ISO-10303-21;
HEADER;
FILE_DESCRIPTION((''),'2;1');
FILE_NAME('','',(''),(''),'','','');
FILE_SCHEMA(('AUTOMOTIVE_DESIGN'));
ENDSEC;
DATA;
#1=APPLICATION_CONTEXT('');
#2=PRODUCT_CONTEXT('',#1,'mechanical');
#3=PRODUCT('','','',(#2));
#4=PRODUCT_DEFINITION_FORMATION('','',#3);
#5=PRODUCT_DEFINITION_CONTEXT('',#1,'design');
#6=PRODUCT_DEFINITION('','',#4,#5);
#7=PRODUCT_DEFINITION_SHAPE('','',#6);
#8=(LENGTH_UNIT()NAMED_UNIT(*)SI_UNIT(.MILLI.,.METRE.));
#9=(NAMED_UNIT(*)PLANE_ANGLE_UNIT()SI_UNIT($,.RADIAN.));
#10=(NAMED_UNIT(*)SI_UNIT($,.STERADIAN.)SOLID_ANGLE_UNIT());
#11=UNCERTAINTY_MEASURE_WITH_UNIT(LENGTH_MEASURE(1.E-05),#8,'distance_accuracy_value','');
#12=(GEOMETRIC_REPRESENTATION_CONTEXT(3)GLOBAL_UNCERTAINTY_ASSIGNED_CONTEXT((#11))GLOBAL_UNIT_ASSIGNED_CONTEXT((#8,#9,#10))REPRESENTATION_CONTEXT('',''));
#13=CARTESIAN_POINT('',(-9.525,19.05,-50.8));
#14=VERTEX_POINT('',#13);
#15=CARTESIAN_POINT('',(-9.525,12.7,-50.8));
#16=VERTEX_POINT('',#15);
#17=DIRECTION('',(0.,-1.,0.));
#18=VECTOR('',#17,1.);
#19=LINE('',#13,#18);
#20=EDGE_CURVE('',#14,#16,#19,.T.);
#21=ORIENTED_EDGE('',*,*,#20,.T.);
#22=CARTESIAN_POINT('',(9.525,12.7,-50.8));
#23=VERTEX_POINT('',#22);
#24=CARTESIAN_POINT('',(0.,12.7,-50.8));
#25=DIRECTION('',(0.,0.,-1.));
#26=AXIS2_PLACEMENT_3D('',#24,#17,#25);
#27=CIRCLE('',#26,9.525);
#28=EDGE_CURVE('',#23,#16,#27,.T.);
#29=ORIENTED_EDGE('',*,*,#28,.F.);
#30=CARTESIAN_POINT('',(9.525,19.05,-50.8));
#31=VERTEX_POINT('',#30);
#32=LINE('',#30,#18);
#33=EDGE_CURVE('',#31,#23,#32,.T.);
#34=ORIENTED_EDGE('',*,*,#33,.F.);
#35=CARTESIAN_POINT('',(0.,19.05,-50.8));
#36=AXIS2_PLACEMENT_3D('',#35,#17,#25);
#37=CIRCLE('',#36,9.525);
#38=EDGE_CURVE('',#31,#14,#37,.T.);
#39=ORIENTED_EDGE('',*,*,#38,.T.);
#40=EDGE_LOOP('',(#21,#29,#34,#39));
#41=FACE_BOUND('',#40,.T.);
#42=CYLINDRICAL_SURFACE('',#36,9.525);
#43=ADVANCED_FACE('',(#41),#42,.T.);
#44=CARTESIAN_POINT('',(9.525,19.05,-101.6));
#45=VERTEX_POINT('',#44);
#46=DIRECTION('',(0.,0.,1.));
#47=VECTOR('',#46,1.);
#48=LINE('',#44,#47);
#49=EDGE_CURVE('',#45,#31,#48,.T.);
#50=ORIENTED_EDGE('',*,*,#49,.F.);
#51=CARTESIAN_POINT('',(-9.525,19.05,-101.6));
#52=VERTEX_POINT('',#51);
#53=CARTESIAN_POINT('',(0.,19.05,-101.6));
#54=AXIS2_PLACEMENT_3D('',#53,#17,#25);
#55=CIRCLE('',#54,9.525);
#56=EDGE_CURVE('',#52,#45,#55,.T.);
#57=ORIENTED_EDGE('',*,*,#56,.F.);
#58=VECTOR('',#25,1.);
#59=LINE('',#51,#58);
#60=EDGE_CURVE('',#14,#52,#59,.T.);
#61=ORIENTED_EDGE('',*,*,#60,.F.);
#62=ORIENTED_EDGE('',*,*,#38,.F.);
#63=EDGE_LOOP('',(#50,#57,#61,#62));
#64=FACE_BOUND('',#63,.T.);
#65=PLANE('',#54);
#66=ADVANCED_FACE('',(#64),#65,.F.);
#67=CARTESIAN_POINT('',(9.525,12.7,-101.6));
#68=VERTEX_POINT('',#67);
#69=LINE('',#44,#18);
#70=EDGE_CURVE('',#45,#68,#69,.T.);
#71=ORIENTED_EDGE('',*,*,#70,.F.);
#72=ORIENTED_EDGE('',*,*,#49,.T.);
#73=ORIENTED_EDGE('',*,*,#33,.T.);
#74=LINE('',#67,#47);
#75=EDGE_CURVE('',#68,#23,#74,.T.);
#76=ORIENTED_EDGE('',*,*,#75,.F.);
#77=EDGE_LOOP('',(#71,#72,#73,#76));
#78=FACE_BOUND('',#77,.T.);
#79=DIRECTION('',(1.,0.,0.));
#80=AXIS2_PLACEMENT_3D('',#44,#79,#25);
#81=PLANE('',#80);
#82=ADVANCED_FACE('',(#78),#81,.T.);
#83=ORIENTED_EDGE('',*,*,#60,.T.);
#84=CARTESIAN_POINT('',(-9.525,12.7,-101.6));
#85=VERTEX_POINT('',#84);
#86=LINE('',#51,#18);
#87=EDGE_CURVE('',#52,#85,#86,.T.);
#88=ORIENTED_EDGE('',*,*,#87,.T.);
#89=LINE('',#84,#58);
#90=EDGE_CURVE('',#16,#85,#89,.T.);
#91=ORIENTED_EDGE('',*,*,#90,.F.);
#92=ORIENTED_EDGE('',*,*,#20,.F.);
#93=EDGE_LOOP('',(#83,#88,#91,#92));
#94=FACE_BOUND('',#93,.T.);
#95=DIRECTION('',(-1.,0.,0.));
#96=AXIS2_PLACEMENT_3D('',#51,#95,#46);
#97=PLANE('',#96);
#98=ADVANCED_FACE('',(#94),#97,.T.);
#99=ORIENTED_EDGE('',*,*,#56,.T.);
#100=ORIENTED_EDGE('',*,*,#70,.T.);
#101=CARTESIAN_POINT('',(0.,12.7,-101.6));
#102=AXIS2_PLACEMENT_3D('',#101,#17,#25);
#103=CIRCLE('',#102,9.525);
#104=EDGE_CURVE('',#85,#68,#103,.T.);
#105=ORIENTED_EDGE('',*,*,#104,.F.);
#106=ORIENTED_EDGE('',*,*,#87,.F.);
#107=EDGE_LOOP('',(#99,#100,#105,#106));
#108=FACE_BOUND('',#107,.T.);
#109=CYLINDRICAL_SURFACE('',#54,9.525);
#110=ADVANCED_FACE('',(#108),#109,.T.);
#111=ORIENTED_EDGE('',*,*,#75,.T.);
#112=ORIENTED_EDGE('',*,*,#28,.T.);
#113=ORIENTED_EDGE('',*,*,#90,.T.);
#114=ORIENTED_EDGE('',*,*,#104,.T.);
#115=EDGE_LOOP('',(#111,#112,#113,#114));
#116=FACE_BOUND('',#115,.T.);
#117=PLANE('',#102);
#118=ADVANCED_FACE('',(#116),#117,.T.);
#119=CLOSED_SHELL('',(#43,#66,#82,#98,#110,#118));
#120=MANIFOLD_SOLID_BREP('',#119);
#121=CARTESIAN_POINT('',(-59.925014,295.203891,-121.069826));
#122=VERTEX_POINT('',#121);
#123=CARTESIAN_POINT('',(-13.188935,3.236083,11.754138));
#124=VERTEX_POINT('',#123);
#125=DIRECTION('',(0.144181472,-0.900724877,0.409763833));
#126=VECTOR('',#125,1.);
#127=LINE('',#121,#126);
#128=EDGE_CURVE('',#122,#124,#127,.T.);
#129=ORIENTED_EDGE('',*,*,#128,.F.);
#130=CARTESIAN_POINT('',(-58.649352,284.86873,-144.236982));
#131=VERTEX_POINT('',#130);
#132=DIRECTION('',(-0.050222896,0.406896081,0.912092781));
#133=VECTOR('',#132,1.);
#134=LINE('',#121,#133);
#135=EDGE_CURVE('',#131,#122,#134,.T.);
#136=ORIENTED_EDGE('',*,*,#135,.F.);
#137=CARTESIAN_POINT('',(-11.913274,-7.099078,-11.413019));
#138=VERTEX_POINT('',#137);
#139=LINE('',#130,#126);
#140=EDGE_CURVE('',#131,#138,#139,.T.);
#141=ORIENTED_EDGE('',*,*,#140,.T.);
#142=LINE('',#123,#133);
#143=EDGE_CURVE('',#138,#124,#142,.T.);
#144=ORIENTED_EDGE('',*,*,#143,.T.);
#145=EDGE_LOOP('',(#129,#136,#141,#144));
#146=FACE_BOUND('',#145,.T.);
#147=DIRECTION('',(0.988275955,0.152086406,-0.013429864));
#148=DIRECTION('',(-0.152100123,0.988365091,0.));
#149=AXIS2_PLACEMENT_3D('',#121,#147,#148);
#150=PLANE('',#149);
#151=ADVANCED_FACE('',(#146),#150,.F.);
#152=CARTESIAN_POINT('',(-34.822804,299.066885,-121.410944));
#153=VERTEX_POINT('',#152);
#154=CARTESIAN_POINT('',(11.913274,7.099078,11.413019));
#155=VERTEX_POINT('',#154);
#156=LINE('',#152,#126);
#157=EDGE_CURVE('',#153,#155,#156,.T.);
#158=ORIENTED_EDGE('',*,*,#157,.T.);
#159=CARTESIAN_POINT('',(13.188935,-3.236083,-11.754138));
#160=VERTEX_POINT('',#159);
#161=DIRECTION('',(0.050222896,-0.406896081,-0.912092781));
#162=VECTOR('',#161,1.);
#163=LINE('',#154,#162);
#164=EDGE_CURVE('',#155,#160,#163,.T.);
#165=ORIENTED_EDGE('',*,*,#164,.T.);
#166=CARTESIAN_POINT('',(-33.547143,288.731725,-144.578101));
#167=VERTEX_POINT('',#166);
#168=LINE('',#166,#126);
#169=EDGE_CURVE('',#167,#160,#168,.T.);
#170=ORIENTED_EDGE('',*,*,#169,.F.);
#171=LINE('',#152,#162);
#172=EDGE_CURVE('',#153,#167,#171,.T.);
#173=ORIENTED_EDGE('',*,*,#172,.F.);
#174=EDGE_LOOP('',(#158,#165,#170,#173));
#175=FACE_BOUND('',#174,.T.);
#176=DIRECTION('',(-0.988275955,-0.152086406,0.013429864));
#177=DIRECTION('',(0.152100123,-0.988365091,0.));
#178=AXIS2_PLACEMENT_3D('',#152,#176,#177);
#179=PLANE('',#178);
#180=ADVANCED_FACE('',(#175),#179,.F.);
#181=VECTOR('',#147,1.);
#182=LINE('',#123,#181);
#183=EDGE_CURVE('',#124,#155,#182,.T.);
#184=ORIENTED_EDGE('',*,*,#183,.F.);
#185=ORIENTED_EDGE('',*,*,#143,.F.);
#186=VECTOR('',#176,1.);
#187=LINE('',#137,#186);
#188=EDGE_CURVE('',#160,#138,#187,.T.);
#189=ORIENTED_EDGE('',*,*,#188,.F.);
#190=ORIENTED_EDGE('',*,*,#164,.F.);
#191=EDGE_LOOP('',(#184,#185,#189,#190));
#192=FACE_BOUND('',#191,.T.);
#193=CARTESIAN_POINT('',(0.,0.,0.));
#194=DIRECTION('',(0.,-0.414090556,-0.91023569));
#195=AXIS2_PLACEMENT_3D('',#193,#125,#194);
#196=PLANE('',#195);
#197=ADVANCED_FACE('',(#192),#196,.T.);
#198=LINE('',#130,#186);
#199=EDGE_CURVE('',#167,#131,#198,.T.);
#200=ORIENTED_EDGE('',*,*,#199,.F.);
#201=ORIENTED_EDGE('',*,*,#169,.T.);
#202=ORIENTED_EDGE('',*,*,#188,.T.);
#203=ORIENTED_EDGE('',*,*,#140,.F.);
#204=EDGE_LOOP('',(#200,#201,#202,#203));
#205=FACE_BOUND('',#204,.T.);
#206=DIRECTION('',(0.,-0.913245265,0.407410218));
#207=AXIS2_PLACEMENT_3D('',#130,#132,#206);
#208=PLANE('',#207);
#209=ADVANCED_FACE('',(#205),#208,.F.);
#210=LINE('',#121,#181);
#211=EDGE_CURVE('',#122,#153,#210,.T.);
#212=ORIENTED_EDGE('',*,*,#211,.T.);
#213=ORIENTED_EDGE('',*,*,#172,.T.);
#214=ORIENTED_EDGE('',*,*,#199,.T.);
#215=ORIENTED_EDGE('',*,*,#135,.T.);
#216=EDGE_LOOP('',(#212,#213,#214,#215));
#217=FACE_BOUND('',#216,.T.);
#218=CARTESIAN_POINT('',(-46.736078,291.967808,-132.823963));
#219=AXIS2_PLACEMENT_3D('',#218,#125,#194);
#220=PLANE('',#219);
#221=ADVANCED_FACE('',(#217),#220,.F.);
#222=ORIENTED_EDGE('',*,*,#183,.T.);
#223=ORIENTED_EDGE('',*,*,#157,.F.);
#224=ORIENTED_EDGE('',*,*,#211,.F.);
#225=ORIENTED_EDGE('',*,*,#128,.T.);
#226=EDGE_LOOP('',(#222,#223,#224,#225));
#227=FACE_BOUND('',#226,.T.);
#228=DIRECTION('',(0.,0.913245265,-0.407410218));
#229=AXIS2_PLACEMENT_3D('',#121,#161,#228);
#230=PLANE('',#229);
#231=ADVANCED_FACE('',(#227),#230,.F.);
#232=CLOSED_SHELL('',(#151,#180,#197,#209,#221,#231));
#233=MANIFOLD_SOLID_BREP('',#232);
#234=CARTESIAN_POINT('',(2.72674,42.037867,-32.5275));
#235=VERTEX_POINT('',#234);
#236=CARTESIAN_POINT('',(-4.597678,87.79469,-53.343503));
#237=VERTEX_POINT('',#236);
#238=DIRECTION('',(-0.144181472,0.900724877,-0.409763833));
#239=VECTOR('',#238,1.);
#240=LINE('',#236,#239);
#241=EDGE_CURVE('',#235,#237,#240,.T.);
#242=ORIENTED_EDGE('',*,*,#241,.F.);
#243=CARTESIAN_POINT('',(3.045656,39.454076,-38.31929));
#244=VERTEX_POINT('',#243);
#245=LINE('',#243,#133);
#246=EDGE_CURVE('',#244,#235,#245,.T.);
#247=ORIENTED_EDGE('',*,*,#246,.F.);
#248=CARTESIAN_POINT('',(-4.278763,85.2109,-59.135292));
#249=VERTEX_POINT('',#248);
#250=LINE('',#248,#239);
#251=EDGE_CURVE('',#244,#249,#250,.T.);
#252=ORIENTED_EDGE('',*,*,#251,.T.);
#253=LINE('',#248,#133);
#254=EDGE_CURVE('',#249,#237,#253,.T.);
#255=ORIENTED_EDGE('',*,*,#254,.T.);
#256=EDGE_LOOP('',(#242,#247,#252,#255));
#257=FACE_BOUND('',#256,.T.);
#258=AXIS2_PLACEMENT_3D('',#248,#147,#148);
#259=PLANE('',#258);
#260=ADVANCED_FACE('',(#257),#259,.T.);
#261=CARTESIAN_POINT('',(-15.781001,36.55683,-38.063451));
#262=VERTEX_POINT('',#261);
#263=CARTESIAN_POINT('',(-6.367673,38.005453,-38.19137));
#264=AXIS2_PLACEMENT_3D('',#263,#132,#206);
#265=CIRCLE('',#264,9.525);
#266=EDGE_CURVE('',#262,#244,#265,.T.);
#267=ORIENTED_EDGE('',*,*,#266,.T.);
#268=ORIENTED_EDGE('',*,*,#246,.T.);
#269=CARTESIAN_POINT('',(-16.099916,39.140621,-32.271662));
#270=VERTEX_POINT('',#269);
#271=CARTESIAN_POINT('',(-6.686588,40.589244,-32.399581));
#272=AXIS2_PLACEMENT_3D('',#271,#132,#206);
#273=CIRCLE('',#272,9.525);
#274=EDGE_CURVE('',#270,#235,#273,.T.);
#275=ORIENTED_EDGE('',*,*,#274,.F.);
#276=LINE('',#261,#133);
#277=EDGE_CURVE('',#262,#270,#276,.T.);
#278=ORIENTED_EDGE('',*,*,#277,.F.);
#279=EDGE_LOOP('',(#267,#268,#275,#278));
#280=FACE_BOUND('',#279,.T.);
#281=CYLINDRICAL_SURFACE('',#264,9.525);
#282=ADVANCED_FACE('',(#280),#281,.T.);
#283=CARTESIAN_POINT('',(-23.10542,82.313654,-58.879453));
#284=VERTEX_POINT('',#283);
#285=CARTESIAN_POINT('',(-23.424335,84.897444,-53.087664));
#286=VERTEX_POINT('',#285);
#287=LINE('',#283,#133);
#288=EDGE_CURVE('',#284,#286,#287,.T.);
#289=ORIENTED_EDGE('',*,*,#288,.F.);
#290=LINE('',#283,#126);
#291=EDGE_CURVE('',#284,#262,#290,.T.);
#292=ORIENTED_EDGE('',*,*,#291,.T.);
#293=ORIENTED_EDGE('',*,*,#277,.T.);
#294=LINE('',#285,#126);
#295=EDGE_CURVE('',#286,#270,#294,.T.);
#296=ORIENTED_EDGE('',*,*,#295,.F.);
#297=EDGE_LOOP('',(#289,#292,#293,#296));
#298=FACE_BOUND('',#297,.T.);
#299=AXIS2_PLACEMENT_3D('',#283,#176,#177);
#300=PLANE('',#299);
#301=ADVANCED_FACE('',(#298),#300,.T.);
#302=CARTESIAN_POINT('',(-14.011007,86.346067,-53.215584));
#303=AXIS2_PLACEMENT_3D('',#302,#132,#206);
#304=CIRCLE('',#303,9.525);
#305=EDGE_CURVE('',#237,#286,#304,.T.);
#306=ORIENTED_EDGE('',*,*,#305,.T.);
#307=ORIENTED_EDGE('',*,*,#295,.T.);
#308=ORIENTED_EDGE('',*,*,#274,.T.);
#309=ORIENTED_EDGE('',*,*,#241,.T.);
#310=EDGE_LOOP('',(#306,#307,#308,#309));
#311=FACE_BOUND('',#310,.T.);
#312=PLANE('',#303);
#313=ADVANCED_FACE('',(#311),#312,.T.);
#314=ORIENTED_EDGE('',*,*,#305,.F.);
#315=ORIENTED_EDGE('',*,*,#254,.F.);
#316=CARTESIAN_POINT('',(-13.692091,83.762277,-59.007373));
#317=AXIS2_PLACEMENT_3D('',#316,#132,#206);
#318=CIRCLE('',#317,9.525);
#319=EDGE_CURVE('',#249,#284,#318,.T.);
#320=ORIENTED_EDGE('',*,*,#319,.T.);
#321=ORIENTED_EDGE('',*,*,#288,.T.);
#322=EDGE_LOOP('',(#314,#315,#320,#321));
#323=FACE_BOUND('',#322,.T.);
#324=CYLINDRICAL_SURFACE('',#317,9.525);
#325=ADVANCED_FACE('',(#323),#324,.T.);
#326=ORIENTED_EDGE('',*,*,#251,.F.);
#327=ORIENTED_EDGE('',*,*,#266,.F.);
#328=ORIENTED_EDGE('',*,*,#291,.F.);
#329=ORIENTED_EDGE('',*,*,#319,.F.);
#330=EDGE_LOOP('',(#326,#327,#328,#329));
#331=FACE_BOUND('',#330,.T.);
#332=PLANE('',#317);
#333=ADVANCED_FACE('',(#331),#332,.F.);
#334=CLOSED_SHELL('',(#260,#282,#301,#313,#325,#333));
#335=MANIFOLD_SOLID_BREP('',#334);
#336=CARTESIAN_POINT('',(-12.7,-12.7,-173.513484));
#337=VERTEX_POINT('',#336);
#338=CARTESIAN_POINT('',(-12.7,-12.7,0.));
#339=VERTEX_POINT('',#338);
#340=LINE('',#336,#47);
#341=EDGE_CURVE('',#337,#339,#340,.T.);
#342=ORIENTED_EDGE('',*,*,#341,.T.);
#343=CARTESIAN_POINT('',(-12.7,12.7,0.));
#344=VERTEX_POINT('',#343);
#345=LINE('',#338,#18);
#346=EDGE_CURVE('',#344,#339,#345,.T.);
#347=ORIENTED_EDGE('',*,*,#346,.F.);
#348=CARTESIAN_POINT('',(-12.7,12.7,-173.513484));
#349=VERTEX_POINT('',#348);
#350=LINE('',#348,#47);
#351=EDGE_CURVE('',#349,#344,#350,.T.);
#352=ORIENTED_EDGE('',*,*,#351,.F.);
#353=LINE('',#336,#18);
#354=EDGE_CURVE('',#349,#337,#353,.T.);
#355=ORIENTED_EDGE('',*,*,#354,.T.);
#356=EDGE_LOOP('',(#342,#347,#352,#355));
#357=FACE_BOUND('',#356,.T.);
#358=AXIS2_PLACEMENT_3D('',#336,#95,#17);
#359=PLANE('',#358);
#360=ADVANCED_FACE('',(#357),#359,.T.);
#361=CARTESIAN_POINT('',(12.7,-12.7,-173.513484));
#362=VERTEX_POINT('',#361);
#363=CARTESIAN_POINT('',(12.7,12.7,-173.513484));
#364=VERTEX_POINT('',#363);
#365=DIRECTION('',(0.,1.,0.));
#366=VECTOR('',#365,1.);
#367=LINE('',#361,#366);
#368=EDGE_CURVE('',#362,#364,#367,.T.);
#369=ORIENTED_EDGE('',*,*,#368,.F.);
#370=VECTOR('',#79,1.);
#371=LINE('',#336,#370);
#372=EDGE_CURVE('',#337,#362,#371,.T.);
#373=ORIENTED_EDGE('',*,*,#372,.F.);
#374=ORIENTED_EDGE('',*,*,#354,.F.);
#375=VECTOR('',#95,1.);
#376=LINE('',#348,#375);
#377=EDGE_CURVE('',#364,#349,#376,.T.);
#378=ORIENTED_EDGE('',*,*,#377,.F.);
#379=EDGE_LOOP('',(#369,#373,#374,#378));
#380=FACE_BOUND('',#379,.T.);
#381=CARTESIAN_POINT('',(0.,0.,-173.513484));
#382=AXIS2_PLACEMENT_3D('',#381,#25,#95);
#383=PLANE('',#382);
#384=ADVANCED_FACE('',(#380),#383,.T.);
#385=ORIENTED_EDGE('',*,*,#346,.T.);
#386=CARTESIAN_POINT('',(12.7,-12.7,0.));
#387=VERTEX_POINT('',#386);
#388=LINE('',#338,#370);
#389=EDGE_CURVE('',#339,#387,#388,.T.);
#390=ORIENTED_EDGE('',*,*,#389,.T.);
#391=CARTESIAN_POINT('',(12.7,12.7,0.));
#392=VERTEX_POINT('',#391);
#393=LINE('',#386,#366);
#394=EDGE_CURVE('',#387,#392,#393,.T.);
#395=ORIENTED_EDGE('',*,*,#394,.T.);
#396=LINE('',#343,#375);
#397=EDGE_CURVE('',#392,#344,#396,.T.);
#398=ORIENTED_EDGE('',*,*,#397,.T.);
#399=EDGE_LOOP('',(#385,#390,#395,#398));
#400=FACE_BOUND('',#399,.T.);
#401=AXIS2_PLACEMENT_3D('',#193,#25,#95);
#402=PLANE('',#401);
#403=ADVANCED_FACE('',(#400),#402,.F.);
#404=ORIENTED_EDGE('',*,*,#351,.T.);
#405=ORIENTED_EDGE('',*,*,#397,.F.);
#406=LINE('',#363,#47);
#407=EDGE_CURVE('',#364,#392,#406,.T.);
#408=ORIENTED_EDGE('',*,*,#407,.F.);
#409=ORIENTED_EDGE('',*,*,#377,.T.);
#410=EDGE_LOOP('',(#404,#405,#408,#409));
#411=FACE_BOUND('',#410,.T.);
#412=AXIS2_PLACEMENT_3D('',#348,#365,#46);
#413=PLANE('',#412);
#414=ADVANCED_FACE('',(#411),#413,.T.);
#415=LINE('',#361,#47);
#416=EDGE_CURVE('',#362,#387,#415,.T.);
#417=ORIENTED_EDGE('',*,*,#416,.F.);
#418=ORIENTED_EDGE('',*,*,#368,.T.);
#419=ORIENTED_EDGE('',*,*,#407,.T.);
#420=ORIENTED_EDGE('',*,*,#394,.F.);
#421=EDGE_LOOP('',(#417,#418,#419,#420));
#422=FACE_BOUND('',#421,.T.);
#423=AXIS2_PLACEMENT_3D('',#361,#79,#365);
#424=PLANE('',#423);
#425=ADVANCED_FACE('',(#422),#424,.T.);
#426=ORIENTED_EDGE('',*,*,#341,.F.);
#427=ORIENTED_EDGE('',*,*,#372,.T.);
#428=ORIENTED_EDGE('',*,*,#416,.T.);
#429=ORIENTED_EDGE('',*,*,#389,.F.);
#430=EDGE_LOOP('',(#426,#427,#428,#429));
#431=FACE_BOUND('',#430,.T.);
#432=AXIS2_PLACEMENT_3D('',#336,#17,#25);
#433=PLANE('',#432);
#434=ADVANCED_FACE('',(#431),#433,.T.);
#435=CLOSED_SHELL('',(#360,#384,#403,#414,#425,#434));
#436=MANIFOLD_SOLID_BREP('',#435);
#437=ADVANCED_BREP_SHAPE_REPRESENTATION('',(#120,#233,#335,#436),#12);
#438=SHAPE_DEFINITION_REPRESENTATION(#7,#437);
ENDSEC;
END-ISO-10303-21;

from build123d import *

# Parameters (mm, degrees)
SKETCH1_W           = 25.4
SKETCH1_H           = 25.4
BOSS_EXTRUDE1_DEPTH = 173.513484
BOSS_EXTRUDE2_DEPTH = 324.147601
BOSS_EXTRUDE3_DEPTH = 6.35
BOSS_EXTRUDE4_DEPTH = 6.35


with BuildPart() as part:
    # Sketch1 → Boss-Extrude1 (new body)
    with BuildSketch(Plane.XY):
        Rectangle(SKETCH1_W, SKETCH1_H)
    extrude(amount=-BOSS_EXTRUDE1_DEPTH)


with BuildPart() as body_2:
    # Sketch2 → Boss-Extrude2 (new body)
    with BuildSketch(Plane(origin=(0, 0, 0), x_dir=(0.9833973165172839, 0.08431330932106285, -0.16068909028909165), z_dir=(-0.1441814720332392, 0.9007248773125119, -0.40976383260689164))):
        Polygon((-14.585880515, -10.480080611), (10.480080611, -14.585880515), (14.585880515, 10.480080611), (-10.480080611, 14.585880515), align=None)
    extrude(amount=BOSS_EXTRUDE2_DEPTH)


with BuildPart() as body_3:
    # Sketch3 → Boss-Extrude3 (new body)
    with BuildSketch(Plane(origin=(0.637830783, -5.167580224, -11.583578312), x_dir=(0.9987379660310203, 0.020798404327615726, 0.045715441435535804), z_dir=(-0.050222896296522594, 0.40689608064106725, 0.9120927805034567))):
        with BuildLine():
            Line((-24.055967576, 99.169531858), (-16.740848632, 48.898973528))
            ThreePointArc((-16.740848632, 48.898973528), (-5.943534143, 40.844828643), (2.110610742, 51.642143132))
            Line((2.110610742, 51.642143132), (-5.204508203, 101.912701462))
            ThreePointArc((-5.204508203, 101.912701462), (-16.001822692, 109.966846347), (-24.055967576, 99.169531858))
        make_face()
    extrude(amount=-BOSS_EXTRUDE3_DEPTH)


with BuildPart() as body_4:
    # Sketch4 → Boss-Extrude4 (new body)
    with BuildSketch(Plane(origin=(0, 12.7, 0), x_dir=(-1, 0, 0), z_dir=(0, -1, 0))):
        with BuildLine():
            Line((-9.525, 101.6), (-9.525, 50.8))
            ThreePointArc((-9.525, 50.8), (0, 41.275), (9.525, 50.8))
            Line((9.525, 50.8), (9.525, 101.6))
            ThreePointArc((9.525, 101.6), (0, 111.125), (-9.525, 101.6))
        make_face()
    extrude(amount=-BOSS_EXTRUDE4_DEPTH)


solid = Compound([part.part, body_2.part, body_3.part, body_4.part])
